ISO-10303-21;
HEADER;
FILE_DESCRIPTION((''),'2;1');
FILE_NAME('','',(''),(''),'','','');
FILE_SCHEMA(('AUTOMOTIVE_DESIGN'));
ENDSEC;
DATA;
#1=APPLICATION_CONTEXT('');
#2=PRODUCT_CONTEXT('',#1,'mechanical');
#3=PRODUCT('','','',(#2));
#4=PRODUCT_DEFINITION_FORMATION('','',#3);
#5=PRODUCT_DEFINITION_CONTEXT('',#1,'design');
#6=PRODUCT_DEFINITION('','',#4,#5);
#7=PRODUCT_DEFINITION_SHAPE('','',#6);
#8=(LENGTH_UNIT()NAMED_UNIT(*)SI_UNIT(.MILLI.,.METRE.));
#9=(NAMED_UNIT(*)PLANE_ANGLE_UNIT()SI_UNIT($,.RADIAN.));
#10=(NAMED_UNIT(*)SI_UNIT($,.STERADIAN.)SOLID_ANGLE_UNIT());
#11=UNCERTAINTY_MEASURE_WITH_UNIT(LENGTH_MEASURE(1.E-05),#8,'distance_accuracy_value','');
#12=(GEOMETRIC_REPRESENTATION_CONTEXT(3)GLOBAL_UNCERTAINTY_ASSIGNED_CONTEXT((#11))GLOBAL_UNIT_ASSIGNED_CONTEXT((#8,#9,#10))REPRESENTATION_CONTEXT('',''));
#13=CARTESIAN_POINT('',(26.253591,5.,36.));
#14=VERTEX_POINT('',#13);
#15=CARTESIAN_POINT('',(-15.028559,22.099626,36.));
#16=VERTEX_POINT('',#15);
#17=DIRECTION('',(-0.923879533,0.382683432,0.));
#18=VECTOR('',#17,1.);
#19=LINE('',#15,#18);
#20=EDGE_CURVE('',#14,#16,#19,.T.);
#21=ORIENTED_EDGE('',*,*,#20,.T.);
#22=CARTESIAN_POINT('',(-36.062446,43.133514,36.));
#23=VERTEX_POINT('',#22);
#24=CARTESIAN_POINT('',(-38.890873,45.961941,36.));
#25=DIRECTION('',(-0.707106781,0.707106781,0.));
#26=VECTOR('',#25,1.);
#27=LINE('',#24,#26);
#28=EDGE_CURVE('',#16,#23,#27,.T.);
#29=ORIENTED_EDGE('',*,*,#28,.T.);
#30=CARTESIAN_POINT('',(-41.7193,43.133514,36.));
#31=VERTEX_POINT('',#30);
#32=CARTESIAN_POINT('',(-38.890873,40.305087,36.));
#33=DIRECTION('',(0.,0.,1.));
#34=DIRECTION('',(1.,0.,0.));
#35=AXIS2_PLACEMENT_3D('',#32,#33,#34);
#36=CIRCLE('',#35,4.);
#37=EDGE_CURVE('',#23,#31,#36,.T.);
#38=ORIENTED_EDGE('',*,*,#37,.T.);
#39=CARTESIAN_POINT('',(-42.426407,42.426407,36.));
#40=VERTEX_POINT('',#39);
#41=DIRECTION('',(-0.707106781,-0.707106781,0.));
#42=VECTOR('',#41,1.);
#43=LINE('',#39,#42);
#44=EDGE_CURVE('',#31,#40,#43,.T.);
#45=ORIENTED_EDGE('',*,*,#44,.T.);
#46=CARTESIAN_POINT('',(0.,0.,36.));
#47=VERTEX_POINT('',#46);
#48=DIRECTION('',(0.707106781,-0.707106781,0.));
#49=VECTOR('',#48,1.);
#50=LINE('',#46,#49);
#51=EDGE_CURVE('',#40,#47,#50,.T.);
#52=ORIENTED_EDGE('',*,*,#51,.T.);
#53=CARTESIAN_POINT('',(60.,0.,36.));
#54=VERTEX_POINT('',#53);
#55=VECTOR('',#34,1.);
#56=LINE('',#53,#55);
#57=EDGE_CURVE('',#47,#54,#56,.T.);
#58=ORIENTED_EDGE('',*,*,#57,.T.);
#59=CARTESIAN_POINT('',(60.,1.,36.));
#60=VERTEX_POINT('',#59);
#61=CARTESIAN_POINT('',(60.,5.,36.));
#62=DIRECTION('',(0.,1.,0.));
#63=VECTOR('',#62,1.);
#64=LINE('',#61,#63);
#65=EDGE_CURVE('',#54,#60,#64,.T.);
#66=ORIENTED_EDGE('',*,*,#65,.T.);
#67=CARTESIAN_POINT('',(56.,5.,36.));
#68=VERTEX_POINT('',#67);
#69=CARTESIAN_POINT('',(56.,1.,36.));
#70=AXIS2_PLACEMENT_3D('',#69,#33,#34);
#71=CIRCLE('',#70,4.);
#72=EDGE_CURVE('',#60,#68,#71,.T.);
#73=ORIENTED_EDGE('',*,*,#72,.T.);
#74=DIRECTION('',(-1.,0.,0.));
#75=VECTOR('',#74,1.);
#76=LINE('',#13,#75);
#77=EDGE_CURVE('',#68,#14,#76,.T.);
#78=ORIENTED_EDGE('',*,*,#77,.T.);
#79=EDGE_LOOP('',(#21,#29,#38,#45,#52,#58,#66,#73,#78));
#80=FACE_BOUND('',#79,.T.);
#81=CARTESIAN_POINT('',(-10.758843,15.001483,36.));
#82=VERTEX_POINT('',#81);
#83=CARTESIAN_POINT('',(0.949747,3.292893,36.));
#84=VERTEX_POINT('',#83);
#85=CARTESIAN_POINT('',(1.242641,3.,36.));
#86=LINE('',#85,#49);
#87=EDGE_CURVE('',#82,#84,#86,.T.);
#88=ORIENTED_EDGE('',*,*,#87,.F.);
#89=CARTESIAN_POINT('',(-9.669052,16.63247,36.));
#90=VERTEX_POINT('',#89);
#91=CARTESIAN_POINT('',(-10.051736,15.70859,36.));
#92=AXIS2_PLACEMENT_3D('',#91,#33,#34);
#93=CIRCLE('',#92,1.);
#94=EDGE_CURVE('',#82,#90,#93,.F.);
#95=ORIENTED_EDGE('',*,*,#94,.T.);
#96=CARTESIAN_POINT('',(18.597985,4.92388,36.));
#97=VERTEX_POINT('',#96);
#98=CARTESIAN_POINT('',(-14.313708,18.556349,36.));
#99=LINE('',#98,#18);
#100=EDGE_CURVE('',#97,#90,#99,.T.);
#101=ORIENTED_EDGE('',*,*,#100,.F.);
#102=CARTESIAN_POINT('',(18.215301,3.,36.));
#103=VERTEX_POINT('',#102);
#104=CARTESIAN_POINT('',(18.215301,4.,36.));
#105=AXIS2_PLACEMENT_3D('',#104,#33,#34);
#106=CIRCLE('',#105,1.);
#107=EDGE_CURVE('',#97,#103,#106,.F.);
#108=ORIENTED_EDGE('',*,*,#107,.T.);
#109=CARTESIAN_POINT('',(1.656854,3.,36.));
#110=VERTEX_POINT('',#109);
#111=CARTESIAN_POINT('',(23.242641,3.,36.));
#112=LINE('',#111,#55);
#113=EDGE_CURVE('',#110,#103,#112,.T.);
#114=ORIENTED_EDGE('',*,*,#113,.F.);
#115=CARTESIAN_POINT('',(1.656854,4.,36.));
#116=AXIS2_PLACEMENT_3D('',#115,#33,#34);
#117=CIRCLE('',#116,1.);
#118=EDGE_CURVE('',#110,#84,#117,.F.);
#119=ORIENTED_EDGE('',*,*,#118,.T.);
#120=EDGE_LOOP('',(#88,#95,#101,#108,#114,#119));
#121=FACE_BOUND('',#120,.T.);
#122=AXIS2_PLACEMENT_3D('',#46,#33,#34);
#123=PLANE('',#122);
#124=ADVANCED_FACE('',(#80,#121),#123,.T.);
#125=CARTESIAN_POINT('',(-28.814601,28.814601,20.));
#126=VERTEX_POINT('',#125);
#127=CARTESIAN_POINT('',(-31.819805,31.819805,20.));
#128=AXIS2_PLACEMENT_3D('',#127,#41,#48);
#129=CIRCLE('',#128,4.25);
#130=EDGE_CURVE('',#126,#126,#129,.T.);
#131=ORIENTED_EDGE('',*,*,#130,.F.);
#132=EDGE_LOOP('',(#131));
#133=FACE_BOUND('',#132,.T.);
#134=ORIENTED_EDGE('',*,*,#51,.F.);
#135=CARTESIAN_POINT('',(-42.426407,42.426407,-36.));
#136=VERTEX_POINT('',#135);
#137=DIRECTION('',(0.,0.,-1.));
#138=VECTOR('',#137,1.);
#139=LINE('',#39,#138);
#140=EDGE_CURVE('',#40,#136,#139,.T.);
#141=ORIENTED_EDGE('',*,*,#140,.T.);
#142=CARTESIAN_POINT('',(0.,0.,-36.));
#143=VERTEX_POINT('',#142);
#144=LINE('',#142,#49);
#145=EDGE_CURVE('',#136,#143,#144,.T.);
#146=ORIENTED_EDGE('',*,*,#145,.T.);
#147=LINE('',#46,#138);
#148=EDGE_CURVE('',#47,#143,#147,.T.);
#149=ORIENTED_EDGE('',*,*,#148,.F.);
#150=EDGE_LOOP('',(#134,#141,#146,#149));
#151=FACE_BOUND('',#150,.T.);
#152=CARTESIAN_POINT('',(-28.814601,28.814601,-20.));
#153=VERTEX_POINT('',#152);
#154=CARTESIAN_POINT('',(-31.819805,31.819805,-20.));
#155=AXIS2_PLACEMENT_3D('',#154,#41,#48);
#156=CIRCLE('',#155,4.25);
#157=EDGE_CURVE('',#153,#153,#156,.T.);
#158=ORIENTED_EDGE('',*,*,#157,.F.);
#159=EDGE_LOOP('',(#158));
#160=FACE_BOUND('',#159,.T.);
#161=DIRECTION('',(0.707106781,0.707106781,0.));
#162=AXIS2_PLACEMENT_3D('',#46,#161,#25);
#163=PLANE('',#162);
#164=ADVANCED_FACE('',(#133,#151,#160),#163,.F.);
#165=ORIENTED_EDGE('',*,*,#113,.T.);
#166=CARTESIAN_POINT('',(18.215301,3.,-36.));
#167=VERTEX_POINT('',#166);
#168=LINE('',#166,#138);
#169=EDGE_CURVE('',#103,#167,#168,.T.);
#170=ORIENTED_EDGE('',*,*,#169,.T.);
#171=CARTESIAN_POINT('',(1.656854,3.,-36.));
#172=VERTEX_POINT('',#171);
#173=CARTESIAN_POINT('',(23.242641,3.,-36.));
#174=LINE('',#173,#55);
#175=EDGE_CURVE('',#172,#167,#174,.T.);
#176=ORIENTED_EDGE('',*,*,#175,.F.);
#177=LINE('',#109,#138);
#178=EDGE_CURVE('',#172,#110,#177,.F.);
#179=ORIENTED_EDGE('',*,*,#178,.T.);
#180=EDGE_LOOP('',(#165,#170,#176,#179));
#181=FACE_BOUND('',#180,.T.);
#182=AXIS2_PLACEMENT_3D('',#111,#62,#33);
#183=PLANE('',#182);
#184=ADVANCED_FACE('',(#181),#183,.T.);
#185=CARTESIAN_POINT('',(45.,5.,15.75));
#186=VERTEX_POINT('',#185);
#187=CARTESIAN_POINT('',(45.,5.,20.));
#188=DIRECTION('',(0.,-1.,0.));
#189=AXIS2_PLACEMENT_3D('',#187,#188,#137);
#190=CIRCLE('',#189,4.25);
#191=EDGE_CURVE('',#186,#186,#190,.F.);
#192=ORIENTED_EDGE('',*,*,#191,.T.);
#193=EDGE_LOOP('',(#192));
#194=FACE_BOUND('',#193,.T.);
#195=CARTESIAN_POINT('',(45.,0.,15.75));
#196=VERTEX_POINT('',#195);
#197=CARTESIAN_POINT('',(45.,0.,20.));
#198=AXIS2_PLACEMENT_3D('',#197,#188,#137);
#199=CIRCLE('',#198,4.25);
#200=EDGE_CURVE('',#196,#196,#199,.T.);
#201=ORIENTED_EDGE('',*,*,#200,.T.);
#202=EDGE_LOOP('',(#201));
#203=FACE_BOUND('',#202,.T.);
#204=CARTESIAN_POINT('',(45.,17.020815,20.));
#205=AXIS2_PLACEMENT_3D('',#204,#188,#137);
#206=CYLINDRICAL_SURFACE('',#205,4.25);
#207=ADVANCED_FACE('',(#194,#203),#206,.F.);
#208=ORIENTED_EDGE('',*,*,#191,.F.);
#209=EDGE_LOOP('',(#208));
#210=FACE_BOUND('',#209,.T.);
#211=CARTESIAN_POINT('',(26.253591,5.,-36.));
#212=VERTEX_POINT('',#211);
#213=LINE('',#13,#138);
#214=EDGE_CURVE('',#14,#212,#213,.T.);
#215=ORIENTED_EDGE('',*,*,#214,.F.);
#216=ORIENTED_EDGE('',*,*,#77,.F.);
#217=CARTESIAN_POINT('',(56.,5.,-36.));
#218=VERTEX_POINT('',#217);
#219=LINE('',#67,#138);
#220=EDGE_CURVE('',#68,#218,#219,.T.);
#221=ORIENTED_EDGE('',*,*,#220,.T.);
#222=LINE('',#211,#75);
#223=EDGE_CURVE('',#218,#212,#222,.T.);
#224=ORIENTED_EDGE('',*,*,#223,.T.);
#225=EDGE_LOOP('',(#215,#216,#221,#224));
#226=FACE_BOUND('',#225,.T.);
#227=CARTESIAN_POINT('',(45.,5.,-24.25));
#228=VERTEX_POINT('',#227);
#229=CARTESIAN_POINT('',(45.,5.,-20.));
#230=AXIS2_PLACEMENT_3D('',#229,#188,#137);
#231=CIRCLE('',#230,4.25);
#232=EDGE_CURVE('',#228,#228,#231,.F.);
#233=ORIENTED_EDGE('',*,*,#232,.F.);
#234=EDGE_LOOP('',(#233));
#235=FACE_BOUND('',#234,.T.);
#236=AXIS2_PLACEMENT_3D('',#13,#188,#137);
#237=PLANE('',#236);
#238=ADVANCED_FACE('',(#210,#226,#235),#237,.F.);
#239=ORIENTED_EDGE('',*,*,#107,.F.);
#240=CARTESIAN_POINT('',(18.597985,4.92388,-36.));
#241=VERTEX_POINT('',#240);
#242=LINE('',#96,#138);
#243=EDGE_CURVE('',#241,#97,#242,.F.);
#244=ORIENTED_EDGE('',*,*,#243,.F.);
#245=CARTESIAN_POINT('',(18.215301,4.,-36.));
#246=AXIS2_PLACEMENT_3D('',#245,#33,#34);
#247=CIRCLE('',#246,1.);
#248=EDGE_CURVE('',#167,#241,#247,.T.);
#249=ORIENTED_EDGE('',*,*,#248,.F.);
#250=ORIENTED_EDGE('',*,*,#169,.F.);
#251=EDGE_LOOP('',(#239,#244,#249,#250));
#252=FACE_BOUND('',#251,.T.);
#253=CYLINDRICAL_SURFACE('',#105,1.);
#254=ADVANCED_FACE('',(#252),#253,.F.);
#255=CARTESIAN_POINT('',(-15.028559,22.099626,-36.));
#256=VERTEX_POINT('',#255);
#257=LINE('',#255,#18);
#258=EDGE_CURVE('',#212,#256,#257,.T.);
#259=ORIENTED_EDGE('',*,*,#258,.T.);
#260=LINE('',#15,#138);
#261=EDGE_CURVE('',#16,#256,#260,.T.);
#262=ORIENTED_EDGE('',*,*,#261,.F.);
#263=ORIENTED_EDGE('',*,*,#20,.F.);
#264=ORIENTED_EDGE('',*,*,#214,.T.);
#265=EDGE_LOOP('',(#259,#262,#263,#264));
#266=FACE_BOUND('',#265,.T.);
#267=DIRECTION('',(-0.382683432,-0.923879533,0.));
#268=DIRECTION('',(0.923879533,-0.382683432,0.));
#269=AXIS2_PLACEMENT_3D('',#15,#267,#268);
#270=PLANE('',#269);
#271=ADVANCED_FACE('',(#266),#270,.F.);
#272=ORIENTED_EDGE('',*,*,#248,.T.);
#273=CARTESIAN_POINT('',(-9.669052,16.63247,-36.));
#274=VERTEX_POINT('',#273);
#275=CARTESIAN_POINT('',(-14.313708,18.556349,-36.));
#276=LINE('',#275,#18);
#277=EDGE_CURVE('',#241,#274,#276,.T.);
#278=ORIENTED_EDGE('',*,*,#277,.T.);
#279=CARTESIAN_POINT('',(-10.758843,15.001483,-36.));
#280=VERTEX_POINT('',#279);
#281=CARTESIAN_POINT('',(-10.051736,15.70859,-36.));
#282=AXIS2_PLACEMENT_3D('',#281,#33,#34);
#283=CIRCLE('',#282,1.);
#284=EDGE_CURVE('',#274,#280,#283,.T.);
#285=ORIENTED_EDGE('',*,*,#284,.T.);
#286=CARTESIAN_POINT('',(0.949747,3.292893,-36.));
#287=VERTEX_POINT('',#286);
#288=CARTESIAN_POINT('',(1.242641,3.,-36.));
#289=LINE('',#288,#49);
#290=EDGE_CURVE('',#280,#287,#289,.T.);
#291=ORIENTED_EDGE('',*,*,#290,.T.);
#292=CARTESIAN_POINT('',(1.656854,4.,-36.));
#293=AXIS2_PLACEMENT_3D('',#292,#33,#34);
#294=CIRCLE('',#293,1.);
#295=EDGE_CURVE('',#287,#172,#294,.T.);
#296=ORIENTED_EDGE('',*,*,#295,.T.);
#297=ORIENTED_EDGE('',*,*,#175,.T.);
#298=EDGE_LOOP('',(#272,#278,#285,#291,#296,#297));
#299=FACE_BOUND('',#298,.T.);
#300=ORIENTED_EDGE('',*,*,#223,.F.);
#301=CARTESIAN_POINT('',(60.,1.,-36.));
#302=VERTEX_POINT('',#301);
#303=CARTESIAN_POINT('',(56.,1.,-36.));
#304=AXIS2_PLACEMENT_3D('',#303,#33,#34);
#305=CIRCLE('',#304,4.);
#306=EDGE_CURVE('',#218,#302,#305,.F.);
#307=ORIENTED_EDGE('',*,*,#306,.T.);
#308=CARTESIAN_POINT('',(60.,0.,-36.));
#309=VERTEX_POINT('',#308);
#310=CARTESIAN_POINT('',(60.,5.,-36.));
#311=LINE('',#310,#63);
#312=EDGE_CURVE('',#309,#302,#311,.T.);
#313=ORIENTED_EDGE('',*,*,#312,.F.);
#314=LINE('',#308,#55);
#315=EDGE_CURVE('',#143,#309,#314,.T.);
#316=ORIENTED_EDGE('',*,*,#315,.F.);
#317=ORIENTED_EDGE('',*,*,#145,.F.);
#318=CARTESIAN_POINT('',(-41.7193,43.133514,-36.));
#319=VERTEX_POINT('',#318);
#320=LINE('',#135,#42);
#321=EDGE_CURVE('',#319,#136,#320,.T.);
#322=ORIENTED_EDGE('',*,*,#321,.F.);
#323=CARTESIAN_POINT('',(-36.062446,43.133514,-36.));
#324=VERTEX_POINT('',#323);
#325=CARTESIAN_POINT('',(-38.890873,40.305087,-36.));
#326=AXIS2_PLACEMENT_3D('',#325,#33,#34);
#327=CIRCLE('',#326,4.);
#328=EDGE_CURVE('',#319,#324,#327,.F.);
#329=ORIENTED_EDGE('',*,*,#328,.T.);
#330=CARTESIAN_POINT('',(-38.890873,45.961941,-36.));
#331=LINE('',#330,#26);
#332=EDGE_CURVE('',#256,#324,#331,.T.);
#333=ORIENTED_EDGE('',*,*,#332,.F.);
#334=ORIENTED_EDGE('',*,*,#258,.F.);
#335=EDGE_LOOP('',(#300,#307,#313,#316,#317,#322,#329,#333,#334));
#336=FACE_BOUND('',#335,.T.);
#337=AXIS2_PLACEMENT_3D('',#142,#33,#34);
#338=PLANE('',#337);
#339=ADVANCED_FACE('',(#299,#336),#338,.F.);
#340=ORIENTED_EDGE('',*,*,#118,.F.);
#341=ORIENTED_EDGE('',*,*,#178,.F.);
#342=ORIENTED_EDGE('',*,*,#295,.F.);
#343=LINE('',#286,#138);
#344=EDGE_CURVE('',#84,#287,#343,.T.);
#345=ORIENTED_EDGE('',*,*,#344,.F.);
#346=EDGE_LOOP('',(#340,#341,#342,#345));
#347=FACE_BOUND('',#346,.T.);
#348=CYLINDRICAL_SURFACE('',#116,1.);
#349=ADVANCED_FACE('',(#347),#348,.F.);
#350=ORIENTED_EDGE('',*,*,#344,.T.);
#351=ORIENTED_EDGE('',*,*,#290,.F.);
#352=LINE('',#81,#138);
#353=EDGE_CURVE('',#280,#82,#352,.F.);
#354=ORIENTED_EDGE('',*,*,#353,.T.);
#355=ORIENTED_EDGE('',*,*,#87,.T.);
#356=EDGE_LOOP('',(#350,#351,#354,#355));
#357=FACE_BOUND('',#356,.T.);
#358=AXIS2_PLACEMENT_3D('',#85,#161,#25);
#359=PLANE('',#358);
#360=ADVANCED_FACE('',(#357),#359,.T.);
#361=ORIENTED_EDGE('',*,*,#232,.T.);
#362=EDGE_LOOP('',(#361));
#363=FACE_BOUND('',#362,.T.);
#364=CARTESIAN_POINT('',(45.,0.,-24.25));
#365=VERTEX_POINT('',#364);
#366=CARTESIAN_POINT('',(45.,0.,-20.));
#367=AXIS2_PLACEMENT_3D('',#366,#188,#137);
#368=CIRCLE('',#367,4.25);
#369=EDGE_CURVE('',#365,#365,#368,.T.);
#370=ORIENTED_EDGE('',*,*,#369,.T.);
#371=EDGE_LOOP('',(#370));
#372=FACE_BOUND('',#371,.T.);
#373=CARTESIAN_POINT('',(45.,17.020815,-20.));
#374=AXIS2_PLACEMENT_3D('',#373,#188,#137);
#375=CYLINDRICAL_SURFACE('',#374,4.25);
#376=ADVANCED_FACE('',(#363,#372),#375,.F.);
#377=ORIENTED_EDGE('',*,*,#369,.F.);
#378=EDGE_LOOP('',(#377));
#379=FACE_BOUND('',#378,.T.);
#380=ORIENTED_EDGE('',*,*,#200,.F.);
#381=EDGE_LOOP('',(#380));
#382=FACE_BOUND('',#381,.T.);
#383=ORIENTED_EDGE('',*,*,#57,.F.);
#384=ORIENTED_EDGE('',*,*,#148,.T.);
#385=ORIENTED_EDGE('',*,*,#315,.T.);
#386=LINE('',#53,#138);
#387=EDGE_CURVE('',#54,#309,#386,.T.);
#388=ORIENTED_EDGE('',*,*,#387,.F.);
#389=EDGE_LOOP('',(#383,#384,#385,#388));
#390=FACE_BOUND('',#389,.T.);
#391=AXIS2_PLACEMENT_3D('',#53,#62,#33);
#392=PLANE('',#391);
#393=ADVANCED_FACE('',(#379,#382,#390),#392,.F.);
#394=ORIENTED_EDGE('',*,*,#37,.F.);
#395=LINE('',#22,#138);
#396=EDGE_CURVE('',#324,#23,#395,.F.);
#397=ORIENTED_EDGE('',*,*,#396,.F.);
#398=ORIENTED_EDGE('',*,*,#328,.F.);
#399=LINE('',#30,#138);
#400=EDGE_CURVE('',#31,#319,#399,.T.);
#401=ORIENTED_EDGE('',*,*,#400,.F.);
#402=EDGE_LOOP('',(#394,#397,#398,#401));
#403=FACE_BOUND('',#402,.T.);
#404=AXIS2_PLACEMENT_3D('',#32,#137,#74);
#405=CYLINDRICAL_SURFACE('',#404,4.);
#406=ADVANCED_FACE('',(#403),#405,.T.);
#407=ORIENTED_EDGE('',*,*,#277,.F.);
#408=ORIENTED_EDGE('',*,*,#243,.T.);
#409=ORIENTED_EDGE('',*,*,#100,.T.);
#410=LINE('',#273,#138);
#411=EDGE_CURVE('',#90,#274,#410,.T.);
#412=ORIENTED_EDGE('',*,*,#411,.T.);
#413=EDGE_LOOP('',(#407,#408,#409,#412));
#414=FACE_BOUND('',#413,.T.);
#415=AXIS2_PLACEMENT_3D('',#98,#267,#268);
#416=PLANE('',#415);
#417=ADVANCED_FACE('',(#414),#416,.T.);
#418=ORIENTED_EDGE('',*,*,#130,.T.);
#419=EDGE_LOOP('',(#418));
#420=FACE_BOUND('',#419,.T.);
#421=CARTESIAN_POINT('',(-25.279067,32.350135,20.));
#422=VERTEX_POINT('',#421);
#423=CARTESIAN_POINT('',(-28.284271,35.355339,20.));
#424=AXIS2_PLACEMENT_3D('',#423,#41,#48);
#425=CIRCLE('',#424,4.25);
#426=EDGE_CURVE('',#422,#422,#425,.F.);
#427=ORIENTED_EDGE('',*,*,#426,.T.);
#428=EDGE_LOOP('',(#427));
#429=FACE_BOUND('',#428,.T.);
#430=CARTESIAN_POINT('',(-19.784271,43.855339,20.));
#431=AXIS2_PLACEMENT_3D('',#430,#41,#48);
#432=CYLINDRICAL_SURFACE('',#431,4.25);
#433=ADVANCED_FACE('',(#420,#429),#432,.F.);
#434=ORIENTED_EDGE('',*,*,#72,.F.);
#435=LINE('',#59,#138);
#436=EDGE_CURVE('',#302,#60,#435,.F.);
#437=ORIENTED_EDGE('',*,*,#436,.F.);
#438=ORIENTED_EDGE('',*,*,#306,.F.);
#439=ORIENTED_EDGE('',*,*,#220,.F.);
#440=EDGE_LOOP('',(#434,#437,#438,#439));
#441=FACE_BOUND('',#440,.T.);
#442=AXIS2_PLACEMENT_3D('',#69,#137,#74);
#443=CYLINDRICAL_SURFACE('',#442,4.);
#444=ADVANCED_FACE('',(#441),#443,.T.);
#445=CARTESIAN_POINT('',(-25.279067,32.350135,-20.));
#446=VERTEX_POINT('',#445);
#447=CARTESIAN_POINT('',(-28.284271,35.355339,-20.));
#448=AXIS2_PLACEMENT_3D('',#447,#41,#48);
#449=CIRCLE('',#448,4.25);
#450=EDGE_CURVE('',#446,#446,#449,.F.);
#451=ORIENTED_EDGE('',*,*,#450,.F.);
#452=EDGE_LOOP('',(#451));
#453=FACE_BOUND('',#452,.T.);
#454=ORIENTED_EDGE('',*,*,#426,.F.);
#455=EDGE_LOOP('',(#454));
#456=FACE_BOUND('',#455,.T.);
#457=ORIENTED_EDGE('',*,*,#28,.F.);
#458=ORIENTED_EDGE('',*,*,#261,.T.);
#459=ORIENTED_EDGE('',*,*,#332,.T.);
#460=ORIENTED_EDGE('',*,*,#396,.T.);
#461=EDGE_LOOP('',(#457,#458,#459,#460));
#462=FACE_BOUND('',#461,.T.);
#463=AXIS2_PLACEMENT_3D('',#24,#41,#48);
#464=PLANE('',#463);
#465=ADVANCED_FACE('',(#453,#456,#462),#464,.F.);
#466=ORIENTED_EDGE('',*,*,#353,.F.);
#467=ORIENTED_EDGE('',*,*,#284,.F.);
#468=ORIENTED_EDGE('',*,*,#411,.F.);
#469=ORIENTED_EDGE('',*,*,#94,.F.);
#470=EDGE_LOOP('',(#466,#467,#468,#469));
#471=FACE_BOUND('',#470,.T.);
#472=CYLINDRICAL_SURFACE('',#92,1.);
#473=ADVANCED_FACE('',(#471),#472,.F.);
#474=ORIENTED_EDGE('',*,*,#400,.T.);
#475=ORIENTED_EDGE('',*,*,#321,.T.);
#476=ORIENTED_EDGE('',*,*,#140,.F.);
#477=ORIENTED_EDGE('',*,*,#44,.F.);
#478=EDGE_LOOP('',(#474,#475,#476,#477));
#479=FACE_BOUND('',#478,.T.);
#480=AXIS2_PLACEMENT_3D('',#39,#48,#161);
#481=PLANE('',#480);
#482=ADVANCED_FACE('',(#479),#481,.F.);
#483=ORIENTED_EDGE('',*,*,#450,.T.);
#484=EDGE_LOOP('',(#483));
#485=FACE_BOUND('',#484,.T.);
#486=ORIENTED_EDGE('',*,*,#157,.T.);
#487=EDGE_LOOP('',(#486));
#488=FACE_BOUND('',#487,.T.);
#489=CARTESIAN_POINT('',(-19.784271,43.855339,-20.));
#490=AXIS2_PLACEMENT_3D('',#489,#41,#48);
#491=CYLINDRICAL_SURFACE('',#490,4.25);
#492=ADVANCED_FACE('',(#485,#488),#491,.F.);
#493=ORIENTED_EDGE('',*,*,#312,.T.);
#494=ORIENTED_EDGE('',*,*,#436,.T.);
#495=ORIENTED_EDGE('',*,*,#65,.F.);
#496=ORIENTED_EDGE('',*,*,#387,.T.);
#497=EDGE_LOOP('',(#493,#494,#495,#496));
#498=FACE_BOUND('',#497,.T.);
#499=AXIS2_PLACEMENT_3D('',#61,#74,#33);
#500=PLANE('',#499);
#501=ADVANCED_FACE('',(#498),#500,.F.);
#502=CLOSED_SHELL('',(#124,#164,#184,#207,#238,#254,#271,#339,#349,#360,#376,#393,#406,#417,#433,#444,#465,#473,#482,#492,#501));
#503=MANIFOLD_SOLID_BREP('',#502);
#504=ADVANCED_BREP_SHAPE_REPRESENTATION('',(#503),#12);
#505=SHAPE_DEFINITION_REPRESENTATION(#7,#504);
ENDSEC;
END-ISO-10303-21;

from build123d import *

# Parameters (mm, degrees)
EXTRUDE_1_DEPTH     = 36
SKETCH_2_R          = 4.25
CUT_EXTRUDE_1_DEPTH = 5
SKETCH_3_R          = 4.25
CUT_EXTRUDE_2_DEPTH = 5
FILLET_1_R          = 4
FILLET_2_R          = 1


with BuildPart() as part:
    # Эскиз1 → Бобышка-Вытянуть1 (new body, symmetric)
    with BuildSketch(Plane.XY):
        Polygon((0, 0), (-42.426406871, 42.426406871), (-38.890872965, 45.961940777), (-15.028558569, 22.099626381), (26.253591352, 5), (60, 5), (60, 0), align=None)
        Polygon((-14.313708499, 18.556349186), (23.242640687, 3), (1.242640687, 3), align=None, mode=Mode.SUBTRACT)
    extrude(amount=EXTRUDE_1_DEPTH, both=True)

    # Эскиз2 → Вырез-Вытянуть1 (cut)
    with BuildSketch(Plane(origin=(0, 0, 0), x_dir=(0, 0, 1), z_dir=(-0.707106781, -0.707106781, 0))):
        with Locations(Location((-20, 45, 0), (0, 0, 270))):  # turned: the seam where the file's is
            Circle(SKETCH_2_R)
        with Locations(Location((20, 45, 0), (0, 0, 270))):  # turned: the seam where the file's is
            Circle(SKETCH_2_R)
    extrude(amount=-CUT_EXTRUDE_1_DEPTH, mode=Mode.SUBTRACT)

    # Эскиз3 → Вырез-Вытянуть2 (cut)
    with BuildSketch(Plane.XZ):
        with Locations(Location((45, 20, 0), (0, 0, 270))):  # turned: the seam where the file's is
            Circle(SKETCH_3_R)
        with Locations(Location((45, -20, 0), (0, 0, 270))):  # turned: the seam where the file's is
            Circle(SKETCH_3_R)
    extrude(amount=-CUT_EXTRUDE_2_DEPTH, mode=Mode.SUBTRACT)

    # Скругление1
    fillet_1_edges = [part.edges().sort_by_distance(p)[0] for p in [
        (-38.890872965, 45.961940777, 0),
        (60, 5, 0),
    ]]
    fillet(fillet_1_edges, radius=FILLET_1_R)

    # Скругление2
    fillet_2_edges = [part.edges().sort_by_distance(p)[0] for p in [
        (-14.313708499, 18.556349186, 0),
        (1.242640687, 3, 0),
        (23.242640687, 3, 0),
    ]]
    fillet(fillet_2_edges, radius=FILLET_2_R)


solid = part.part
